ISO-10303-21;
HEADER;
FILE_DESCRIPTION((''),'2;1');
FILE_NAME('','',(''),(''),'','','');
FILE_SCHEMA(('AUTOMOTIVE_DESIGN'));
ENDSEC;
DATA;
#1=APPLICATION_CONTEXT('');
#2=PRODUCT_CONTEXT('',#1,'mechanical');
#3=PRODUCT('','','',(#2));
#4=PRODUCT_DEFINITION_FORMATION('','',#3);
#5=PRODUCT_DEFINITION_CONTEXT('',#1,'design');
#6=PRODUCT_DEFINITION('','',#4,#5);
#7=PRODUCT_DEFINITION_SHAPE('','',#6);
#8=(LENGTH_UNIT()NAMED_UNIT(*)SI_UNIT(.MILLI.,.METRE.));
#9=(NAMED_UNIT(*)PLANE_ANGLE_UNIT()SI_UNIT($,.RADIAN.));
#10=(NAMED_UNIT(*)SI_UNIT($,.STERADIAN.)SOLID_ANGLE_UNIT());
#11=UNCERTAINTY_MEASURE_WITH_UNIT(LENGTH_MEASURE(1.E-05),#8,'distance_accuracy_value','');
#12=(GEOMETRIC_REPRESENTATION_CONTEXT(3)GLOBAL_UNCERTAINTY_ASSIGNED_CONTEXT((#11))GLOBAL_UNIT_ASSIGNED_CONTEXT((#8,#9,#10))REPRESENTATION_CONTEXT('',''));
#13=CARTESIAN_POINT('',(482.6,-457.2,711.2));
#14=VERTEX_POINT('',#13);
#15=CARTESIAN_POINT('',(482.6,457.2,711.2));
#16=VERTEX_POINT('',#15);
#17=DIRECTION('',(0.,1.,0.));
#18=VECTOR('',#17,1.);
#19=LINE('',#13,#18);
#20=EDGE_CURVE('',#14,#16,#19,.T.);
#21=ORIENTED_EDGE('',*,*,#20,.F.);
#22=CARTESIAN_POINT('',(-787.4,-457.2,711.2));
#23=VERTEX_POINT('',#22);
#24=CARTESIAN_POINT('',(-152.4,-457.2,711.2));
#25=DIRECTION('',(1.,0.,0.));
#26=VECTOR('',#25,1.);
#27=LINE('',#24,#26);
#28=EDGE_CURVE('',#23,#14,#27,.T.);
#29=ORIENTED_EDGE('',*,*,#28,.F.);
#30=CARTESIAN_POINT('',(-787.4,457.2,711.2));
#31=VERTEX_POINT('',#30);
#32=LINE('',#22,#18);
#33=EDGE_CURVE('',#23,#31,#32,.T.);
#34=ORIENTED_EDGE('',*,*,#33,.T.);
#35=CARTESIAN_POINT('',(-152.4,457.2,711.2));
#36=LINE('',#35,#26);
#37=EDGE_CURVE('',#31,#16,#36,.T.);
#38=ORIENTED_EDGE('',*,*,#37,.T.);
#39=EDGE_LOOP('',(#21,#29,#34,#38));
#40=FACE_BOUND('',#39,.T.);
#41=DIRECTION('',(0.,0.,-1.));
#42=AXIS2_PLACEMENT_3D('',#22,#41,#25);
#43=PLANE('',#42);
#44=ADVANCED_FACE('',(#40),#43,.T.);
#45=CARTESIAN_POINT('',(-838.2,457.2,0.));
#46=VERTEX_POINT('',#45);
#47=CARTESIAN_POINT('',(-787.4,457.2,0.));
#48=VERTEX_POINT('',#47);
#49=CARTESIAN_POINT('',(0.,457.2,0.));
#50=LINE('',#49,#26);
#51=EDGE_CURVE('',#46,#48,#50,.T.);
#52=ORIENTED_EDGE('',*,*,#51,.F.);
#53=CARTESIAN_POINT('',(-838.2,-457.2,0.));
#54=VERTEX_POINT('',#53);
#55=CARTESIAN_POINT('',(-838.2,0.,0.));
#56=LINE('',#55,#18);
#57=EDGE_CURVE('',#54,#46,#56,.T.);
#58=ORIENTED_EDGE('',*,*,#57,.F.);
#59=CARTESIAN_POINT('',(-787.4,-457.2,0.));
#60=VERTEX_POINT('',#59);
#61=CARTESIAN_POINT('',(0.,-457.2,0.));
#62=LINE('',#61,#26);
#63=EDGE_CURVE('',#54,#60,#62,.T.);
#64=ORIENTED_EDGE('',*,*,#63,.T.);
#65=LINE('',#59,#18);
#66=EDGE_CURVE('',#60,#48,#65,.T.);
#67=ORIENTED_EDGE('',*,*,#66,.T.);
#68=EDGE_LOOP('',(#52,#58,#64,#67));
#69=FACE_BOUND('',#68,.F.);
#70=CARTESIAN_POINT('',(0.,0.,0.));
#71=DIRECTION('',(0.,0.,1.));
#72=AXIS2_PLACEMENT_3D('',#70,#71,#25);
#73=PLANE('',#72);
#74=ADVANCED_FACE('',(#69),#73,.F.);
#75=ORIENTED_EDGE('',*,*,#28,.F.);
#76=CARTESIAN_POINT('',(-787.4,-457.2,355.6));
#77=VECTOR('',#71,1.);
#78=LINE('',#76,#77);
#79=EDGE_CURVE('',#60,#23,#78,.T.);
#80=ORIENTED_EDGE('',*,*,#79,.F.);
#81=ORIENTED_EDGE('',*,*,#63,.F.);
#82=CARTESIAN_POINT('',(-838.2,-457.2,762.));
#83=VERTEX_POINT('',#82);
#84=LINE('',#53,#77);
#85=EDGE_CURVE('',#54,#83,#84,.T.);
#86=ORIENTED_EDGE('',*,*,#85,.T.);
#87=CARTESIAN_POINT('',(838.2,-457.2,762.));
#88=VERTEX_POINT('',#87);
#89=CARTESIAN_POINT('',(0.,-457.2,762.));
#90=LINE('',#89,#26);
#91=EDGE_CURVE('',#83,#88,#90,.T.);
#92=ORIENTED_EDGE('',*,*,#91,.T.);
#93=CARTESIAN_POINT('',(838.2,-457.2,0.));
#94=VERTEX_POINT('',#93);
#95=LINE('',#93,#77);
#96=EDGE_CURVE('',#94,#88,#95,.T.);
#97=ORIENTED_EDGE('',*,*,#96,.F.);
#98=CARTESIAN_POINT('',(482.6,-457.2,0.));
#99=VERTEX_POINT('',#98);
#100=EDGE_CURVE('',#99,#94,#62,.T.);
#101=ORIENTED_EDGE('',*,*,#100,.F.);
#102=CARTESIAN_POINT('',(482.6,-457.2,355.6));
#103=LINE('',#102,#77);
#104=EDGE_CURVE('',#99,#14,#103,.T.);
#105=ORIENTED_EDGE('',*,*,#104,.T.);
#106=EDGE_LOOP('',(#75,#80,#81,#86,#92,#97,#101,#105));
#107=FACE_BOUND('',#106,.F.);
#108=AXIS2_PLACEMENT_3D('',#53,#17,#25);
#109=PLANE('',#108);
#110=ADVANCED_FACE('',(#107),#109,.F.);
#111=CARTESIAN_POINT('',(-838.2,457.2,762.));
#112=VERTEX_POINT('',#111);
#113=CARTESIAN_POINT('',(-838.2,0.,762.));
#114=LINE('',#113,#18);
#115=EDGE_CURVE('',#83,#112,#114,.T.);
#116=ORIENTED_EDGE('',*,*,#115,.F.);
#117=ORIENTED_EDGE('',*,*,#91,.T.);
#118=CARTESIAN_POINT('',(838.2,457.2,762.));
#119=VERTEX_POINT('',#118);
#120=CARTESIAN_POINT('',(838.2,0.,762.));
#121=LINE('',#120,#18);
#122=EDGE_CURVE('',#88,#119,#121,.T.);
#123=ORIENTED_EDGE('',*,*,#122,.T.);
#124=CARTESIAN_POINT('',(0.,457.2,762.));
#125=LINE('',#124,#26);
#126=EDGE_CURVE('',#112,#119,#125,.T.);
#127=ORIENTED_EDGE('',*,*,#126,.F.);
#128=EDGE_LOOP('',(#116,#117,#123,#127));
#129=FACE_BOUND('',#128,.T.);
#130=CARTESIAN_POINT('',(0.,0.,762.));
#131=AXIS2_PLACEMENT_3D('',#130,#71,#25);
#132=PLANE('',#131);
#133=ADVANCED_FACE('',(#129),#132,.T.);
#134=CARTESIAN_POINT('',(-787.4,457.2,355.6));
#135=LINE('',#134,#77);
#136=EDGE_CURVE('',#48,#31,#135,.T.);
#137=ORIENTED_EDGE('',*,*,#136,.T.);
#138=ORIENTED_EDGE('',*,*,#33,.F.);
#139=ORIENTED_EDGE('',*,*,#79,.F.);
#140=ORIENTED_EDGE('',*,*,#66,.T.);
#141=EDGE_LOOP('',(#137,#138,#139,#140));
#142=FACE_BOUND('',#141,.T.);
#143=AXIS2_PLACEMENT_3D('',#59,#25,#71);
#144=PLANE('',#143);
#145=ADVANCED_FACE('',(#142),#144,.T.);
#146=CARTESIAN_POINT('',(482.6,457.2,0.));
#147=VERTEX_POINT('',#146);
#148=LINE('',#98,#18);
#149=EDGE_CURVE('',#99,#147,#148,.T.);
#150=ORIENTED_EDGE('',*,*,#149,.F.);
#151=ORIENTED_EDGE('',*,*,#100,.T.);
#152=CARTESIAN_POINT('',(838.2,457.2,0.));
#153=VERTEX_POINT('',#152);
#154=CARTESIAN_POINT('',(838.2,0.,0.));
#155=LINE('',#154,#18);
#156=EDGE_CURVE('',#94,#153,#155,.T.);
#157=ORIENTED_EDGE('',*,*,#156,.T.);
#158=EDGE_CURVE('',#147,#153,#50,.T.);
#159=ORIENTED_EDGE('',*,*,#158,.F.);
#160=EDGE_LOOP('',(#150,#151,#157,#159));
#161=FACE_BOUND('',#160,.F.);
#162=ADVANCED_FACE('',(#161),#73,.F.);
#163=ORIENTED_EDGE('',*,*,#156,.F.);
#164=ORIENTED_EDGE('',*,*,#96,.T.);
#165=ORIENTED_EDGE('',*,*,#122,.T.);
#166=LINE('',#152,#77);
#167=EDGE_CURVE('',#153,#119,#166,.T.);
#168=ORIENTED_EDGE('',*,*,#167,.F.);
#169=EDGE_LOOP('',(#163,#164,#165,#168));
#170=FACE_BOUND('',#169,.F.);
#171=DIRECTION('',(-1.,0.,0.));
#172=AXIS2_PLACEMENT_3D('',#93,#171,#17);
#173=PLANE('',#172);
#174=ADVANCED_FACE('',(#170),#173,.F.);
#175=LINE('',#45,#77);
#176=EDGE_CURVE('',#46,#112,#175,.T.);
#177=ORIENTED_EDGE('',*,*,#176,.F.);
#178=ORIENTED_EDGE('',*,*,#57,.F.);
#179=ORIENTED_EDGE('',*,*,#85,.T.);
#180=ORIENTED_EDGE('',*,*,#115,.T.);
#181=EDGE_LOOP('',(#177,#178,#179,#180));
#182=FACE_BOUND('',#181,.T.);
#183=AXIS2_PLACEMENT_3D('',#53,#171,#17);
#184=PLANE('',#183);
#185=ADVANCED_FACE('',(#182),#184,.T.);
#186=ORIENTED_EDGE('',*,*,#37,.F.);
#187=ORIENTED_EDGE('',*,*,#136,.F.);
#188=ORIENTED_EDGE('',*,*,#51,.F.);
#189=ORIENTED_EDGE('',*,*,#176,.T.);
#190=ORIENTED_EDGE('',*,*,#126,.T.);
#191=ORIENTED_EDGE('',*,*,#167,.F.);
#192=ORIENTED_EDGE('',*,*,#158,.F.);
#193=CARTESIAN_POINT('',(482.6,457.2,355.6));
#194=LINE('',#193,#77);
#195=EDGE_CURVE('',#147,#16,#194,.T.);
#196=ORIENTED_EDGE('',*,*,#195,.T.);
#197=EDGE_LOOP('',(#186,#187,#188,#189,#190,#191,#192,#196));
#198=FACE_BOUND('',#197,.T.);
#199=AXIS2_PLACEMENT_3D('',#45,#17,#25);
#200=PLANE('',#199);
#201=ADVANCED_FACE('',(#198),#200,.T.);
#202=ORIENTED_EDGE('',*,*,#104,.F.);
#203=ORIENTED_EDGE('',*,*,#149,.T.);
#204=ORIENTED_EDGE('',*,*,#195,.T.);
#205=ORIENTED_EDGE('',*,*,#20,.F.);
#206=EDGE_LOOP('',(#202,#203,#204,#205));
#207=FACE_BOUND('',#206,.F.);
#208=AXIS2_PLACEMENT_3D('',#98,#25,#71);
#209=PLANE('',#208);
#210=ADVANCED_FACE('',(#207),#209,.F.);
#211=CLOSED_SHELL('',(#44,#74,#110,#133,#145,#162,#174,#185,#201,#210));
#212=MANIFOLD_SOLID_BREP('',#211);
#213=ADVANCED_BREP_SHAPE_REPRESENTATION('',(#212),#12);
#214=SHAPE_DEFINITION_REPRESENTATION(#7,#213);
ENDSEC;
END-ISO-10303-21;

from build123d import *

# Parameters (mm, degrees)
F0_W     = 1676.4
F0_H     = 914.4
F1_DEPTH = 762
F2_W     = 1270
F2_H     = 711.2
F3_DEPTH = 914.4


with BuildPart() as f1:
    # F0 (on Top) → F1 (new body)
    with BuildSketch(Plane.XY):
        Rectangle(F0_W, F0_H)
    extrude(amount=F1_DEPTH)

    # F2 (on face) → F3 (cut, through all)
    with BuildSketch(Plane.XZ.offset(457.2)):
        with Locations((-152.4, 355.6)):
            Rectangle(F2_W, F2_H)
    extrude(amount=-F3_DEPTH, mode=Mode.SUBTRACT)


solid = f1.part
